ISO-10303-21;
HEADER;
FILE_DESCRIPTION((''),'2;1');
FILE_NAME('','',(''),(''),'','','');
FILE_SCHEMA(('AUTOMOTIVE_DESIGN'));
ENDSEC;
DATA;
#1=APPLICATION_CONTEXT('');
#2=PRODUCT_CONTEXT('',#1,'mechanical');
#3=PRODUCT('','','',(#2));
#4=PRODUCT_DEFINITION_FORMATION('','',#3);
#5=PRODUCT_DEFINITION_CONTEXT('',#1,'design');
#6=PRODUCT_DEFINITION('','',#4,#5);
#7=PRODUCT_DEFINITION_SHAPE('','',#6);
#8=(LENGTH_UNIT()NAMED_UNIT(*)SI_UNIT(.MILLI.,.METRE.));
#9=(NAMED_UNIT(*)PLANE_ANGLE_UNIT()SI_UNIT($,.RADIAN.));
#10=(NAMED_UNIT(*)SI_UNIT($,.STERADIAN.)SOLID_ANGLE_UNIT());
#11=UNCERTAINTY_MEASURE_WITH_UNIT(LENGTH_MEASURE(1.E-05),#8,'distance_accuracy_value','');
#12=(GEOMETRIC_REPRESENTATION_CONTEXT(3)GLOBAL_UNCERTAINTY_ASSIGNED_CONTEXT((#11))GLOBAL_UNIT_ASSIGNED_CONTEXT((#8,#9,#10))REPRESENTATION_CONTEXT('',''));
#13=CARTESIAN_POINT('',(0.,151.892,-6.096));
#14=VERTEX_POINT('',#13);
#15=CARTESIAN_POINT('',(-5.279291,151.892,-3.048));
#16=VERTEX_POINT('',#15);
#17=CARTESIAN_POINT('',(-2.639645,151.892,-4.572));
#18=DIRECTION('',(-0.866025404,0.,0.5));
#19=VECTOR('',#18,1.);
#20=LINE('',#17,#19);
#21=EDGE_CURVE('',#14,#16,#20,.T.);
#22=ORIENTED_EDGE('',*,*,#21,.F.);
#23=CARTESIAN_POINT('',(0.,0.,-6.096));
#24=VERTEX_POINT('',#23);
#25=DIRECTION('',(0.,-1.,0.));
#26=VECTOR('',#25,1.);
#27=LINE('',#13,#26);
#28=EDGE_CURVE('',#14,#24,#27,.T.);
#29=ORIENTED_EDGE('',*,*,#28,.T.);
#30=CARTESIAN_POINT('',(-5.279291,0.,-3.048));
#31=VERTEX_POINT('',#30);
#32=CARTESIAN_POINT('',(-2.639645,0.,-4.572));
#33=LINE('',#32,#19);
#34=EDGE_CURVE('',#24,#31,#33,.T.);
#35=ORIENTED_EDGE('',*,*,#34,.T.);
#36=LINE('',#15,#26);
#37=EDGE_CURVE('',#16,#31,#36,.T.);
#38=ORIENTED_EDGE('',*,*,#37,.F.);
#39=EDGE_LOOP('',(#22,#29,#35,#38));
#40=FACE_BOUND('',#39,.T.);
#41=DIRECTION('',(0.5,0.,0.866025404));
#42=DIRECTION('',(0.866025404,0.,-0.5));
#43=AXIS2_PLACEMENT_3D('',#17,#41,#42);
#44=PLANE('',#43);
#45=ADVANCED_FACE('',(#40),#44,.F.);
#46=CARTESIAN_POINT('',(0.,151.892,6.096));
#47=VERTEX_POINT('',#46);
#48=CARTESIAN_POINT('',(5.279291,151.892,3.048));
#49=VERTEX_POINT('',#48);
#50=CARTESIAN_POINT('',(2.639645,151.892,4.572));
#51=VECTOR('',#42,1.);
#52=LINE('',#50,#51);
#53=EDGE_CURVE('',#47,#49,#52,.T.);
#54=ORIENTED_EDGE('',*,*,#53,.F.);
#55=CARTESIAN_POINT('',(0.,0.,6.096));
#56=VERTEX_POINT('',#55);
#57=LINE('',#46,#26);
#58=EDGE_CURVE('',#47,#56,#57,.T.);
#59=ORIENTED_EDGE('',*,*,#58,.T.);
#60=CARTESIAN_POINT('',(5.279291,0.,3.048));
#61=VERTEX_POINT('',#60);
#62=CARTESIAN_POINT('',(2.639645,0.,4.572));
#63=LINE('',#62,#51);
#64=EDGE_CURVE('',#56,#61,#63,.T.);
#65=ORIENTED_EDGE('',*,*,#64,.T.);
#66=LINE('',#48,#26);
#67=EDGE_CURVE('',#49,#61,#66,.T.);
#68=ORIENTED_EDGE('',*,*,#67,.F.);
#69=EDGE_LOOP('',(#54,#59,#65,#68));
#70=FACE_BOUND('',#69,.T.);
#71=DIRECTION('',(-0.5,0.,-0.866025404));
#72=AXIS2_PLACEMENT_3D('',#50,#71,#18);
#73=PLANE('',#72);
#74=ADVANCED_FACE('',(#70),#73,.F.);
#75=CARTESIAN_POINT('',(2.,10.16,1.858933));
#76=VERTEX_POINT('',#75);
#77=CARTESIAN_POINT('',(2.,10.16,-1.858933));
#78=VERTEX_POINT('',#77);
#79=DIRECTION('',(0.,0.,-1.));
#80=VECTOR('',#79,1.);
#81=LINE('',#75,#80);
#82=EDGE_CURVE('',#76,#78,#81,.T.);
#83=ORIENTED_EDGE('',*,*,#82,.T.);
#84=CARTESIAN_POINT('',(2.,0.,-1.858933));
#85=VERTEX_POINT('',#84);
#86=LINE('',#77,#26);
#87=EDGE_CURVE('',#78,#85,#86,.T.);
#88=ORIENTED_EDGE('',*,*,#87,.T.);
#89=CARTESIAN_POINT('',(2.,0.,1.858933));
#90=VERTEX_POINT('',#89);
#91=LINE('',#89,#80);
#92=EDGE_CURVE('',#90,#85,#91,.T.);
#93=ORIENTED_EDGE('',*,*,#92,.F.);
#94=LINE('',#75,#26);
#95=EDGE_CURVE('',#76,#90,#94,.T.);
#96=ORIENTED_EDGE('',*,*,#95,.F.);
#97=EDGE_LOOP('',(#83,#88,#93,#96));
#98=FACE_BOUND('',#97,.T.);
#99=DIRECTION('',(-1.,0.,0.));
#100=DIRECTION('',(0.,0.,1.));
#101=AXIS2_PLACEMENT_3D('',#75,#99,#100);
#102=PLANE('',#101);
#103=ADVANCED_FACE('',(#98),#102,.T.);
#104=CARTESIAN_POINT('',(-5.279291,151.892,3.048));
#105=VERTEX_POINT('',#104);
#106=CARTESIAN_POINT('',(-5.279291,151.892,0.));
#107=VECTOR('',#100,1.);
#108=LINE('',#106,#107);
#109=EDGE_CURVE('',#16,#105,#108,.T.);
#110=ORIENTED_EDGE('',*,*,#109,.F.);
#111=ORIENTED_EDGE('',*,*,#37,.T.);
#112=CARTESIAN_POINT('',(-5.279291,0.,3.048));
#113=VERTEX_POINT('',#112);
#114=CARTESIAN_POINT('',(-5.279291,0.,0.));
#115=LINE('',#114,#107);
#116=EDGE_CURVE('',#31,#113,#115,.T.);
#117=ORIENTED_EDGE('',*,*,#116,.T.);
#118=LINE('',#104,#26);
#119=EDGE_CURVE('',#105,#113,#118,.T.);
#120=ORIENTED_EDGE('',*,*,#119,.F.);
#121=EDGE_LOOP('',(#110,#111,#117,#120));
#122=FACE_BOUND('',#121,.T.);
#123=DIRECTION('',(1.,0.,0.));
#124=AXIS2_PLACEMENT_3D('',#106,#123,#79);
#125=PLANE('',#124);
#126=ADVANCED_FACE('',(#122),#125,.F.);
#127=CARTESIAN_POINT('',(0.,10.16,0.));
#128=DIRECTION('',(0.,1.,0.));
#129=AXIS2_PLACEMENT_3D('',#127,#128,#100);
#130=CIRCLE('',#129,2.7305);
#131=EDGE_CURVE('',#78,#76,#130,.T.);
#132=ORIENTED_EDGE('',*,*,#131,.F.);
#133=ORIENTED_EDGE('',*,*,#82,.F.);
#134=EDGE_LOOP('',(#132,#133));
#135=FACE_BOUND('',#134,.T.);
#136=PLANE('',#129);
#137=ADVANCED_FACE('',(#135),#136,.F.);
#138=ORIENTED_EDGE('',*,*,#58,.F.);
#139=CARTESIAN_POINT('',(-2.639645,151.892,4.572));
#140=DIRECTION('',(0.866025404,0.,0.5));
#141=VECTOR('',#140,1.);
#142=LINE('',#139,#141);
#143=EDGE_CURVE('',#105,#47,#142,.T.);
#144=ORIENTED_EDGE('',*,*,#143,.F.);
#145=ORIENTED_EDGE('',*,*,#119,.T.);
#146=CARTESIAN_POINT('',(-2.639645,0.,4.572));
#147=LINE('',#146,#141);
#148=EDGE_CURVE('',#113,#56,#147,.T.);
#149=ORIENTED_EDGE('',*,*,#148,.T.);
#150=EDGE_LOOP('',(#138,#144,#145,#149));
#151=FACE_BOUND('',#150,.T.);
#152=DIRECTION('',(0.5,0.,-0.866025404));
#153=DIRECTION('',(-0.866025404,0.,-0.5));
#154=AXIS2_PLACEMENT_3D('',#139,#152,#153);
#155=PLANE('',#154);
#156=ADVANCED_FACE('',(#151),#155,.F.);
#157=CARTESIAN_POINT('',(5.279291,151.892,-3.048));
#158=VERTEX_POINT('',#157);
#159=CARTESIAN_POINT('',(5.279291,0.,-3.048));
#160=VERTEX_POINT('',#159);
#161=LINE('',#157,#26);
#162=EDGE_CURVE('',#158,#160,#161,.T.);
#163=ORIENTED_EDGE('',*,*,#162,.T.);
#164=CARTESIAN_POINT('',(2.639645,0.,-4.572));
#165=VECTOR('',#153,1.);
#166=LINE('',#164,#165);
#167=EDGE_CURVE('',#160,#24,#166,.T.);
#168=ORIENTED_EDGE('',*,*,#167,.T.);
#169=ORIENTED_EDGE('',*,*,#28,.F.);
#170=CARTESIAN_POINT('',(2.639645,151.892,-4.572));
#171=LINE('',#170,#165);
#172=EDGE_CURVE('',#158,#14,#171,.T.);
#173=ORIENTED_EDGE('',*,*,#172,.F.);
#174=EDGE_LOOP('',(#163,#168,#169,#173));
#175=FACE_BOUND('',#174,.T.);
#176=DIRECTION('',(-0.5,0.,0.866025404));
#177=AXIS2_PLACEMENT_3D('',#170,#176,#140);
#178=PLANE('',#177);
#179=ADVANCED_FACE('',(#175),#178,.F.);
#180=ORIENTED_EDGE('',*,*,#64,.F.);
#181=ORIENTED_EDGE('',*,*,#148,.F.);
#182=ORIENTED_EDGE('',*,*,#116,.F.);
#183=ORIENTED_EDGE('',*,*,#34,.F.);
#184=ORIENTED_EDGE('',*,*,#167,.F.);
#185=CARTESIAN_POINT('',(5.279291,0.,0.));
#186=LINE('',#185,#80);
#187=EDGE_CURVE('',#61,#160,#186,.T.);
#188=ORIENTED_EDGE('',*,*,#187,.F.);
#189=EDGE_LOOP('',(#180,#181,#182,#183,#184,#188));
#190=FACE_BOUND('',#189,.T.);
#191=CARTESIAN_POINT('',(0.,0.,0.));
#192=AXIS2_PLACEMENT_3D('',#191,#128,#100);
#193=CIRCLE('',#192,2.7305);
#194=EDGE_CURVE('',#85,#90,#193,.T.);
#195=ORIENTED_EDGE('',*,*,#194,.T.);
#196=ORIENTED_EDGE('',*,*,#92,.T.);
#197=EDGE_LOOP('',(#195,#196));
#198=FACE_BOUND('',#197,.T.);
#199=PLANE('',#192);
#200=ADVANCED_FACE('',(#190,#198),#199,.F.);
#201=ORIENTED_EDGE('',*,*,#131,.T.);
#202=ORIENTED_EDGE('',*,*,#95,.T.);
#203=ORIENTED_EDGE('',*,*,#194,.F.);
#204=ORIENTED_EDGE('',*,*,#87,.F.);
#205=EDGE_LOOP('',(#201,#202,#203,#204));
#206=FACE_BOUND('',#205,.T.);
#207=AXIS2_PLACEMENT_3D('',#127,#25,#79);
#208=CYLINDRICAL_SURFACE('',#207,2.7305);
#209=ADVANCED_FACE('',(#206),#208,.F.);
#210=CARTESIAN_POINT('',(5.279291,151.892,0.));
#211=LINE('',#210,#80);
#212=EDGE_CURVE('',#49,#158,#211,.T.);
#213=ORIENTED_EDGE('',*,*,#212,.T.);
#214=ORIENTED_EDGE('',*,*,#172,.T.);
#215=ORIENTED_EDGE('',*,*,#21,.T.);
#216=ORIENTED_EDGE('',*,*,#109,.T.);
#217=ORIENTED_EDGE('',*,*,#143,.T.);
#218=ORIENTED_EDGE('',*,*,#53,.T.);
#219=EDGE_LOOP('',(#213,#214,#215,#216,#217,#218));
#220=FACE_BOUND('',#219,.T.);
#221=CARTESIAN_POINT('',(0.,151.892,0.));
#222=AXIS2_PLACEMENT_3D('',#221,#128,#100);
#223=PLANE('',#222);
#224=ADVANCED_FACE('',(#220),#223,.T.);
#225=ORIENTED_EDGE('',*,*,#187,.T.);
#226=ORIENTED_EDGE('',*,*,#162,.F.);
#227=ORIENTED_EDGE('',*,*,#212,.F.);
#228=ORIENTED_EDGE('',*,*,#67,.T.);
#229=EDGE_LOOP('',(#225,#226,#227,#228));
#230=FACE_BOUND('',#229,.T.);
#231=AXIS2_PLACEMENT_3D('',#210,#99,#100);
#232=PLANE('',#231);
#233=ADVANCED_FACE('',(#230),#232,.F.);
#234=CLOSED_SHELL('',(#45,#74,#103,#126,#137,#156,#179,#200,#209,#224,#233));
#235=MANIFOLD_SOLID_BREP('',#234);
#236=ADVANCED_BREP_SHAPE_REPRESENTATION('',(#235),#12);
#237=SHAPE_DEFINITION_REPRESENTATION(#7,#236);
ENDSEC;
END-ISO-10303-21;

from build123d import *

# Parameters (mm, degrees)
BOSS_EXTRUDE1_DEPTH = 151.892
CUT_EXTRUDE1_DEPTH  = 10.16


with BuildPart() as part:
    # Sketch1 → Boss-Extrude1 (new body)
    # profile 1 of 2: a face of its own
    with BuildSketch(Plane(origin=(0, 0, 0), x_dir=(1, 0, 0), z_dir=(0, 1, 0))):
        Polygon((0, 6.096), (-5.279290861, 3.048), (-5.279290861, -3.048), (0, -6.096), (5.279290861, -3.048), (5.279290861, 3.048), align=None)
        with BuildLine():
            ThreePointArc((2, 1.858932557), (-2.7305, 0), (2, -1.858932557))
            Line((2, -1.858932557), (2, 1.858932557))
        make_face(mode=Mode.SUBTRACT)
    # profile 2 of 2: a face of its own
    with BuildSketch(Plane(origin=(0, 0, 0), x_dir=(1, 0, 0), z_dir=(0, 1, 0))):
        with BuildLine():
            Line((2, -1.858932557), (2, 1.858932557))
            ThreePointArc((2, 1.858932557), (-2.7305, 0), (2, -1.858932557))
        make_face()
    extrude(amount=BOSS_EXTRUDE1_DEPTH)

    # Sketch1<3> → Cut-Extrude1 (cut)
    with BuildSketch(Plane(origin=(0, 0, 0), x_dir=(1, 0, 0), z_dir=(0, 1, 0))):
        with BuildLine():
            Line((2, -1.858932557), (2, 1.858932557))
            ThreePointArc((2, 1.858932557), (-2.7305, 0), (2, -1.858932557))
        make_face()
    extrude(amount=CUT_EXTRUDE1_DEPTH, mode=Mode.SUBTRACT)


solid = part.part
